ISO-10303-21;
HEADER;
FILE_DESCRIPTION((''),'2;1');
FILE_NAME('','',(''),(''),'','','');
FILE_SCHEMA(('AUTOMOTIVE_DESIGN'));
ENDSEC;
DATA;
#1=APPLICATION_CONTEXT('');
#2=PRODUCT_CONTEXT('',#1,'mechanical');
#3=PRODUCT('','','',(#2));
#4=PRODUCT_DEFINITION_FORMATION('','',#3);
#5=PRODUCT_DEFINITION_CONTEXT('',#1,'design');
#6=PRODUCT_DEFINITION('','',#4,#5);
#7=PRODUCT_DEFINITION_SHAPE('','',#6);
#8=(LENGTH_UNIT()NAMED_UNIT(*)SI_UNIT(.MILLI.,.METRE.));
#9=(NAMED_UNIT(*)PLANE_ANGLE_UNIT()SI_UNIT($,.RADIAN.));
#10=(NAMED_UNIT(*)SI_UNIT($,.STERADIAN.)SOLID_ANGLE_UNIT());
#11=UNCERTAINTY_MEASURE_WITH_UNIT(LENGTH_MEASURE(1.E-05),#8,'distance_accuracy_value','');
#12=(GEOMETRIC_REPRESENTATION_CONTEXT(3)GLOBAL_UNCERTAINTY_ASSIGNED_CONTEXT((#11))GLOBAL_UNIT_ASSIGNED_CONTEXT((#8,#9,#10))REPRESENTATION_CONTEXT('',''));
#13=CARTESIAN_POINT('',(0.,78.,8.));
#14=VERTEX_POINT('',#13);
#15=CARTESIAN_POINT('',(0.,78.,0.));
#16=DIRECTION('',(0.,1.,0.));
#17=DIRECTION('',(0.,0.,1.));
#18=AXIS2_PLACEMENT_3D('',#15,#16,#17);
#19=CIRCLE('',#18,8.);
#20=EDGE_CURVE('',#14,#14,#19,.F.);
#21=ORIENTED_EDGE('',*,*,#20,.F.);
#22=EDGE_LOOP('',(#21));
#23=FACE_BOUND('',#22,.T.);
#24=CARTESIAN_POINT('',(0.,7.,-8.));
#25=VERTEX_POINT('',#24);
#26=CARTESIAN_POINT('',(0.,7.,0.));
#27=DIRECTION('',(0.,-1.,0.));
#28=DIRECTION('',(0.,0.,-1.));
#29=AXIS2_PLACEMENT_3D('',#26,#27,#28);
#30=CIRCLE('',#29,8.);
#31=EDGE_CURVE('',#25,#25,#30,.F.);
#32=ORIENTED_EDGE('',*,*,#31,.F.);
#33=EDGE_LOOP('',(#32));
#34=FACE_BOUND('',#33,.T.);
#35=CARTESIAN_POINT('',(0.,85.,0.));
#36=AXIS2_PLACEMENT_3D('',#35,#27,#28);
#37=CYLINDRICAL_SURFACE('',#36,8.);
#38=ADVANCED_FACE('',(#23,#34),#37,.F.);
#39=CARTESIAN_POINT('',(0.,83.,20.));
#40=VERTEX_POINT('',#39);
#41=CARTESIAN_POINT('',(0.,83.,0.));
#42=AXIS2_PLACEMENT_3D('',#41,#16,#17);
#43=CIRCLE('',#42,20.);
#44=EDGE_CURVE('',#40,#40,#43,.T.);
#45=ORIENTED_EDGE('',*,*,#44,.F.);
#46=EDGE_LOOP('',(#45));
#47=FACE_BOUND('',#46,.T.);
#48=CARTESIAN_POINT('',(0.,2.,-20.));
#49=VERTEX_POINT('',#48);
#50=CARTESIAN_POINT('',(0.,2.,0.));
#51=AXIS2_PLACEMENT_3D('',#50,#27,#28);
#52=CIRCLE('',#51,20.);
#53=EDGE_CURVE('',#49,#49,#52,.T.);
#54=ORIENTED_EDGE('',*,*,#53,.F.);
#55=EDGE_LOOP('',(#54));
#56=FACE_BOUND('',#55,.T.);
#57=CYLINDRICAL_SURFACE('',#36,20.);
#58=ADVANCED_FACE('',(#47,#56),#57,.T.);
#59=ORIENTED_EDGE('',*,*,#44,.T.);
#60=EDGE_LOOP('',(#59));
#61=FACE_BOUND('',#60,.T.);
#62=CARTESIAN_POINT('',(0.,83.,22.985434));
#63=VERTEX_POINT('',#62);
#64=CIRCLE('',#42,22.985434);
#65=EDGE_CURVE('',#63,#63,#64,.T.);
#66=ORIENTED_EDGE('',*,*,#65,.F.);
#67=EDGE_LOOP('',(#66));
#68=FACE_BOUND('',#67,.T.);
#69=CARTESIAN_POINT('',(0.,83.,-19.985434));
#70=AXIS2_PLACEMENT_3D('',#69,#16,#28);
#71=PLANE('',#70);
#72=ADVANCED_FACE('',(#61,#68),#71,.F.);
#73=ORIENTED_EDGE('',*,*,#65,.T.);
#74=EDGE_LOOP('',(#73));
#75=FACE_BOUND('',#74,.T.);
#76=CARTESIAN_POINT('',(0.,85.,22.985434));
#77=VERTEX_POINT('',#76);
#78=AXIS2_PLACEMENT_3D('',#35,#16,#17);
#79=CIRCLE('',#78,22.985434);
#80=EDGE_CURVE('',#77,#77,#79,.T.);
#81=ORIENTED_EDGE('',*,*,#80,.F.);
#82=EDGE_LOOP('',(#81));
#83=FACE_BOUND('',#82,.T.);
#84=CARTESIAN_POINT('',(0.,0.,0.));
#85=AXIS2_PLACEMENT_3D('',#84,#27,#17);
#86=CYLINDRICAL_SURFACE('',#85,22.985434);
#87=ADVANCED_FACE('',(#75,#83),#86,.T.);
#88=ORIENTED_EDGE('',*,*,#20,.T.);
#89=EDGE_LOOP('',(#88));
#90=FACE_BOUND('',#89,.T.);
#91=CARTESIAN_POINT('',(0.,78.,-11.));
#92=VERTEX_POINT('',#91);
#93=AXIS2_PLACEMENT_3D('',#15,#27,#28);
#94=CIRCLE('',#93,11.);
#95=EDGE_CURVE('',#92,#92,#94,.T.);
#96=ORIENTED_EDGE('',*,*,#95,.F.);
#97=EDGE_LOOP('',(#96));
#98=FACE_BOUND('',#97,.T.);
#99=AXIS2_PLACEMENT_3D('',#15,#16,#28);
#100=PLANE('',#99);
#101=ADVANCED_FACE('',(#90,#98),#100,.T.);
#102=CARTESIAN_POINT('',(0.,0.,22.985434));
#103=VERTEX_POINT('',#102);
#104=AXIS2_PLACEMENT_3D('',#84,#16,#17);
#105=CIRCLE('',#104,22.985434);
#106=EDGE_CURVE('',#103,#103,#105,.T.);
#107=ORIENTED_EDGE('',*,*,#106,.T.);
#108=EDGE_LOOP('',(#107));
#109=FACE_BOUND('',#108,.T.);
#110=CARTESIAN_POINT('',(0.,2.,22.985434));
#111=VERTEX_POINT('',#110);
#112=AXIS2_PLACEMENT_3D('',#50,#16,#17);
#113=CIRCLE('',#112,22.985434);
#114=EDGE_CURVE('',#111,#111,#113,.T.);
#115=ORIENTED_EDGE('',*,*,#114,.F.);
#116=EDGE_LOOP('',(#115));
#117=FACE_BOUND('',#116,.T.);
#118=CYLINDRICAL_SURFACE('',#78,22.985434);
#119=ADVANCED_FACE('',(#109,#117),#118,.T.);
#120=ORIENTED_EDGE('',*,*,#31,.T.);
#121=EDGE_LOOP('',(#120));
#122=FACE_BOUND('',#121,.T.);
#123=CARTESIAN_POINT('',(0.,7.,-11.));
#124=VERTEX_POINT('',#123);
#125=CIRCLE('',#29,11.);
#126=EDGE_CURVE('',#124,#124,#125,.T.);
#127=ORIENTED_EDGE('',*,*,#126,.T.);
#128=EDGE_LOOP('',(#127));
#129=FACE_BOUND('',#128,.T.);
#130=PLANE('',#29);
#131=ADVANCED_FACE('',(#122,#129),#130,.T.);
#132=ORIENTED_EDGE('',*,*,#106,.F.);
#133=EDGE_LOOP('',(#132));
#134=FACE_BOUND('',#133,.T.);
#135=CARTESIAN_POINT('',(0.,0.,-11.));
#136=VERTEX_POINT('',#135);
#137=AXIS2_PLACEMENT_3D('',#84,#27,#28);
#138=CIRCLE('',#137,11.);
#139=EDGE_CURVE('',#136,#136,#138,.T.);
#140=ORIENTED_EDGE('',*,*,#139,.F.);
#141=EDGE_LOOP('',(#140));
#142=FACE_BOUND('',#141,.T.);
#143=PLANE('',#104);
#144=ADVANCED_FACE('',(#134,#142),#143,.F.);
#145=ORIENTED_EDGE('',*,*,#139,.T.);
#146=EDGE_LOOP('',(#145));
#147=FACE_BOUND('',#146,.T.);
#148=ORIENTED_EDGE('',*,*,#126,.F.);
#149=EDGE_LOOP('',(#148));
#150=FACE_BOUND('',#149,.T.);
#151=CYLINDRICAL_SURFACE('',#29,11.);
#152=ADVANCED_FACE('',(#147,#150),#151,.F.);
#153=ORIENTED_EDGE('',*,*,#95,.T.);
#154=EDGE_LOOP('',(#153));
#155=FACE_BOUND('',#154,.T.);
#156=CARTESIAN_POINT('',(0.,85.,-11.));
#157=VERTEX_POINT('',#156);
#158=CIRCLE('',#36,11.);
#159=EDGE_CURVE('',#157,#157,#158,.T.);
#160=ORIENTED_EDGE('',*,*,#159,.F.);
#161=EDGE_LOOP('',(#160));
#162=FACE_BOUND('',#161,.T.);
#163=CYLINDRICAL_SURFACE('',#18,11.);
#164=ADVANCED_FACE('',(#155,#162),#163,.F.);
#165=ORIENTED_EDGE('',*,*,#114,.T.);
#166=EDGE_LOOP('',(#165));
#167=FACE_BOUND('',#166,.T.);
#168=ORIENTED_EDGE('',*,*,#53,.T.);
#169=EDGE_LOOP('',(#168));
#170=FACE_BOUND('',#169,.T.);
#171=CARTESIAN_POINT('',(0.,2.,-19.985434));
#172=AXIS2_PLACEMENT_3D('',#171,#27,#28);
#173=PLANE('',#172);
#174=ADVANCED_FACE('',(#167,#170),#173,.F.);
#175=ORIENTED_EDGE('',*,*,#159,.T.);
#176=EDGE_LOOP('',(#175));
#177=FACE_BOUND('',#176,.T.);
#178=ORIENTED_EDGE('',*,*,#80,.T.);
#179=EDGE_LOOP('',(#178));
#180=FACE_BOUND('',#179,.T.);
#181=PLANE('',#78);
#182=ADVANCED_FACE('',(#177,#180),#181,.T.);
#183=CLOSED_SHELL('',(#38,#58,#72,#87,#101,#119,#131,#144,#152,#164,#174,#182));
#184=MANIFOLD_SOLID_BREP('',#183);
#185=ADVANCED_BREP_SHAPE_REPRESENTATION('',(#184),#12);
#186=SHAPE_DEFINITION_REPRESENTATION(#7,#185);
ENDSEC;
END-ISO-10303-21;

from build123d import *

# Parameters (mm, degrees)
ESQUISSE1_R             = 20
BOSS_EXTRU_1_DEPTH      = 85
ESQUISSE6_R             = 8
ENL_V_MAT_EXTRU_1_DEPTH = 85
ESQUISSE7_R             = 11
ENL_V_MAT_EXTRU_2_DEPTH = 7
ESQUISSE11_W            = 3
ESQUISSE11_H            = 2


with BuildPart() as part:
    # Esquisse1 → Boss.-Extru.1 (new body)
    with BuildSketch(Plane(origin=(0, 0, 0), x_dir=(1, 0, 0), z_dir=(0, 1, 0))):
        with Locations(Location((0, 0, 0), (0, 0, 270))):
            Circle(ESQUISSE1_R)
    extrude(amount=BOSS_EXTRU_1_DEPTH)

    # Esquisse6 → Enlèv. mat.-Extru.1 (cut)
    with BuildSketch(Plane.XZ):
        with Locations(Location((0, 0, 0), (0, 0, 270))):
            Circle(ESQUISSE6_R)
    extrude(amount=-ENL_V_MAT_EXTRU_1_DEPTH, mode=Mode.SUBTRACT)

    # Esquisse7 → Enlèv. mat.-Extru.2 (cut)
    with BuildSketch(Plane.XZ):
        with Locations(Location((0, 0, 0), (0, 0, 270))):
            Circle(ESQUISSE7_R)
    enl_v_mat_extru_2 = extrude(amount=-ENL_V_MAT_EXTRU_2_DEPTH, mode=Mode.SUBTRACT)

    # Symétrie1: Enlèv. mat.-Extru.2 across plane
    add(enl_v_mat_extru_2.mirror(Plane.ZX.offset(42.5)), mode=Mode.SUBTRACT)

    # Esquisse11 → Révolution1 (revolve)
    with BuildSketch(Plane(origin=(0, 0, 0), x_dir=(0, 0, -1), z_dir=(1, 0, 0))):
        with Locations((21.485433731, 1)):
            Rectangle(ESQUISSE11_W, ESQUISSE11_H)
    r_volution1 = revolve(axis=Axis((0, 85, 0), (0, -1, 0)))

    # Symétrie2: Révolution1 across plane
    add(r_volution1.mirror(Plane.ZX.offset(42.5)))


solid = part.part
